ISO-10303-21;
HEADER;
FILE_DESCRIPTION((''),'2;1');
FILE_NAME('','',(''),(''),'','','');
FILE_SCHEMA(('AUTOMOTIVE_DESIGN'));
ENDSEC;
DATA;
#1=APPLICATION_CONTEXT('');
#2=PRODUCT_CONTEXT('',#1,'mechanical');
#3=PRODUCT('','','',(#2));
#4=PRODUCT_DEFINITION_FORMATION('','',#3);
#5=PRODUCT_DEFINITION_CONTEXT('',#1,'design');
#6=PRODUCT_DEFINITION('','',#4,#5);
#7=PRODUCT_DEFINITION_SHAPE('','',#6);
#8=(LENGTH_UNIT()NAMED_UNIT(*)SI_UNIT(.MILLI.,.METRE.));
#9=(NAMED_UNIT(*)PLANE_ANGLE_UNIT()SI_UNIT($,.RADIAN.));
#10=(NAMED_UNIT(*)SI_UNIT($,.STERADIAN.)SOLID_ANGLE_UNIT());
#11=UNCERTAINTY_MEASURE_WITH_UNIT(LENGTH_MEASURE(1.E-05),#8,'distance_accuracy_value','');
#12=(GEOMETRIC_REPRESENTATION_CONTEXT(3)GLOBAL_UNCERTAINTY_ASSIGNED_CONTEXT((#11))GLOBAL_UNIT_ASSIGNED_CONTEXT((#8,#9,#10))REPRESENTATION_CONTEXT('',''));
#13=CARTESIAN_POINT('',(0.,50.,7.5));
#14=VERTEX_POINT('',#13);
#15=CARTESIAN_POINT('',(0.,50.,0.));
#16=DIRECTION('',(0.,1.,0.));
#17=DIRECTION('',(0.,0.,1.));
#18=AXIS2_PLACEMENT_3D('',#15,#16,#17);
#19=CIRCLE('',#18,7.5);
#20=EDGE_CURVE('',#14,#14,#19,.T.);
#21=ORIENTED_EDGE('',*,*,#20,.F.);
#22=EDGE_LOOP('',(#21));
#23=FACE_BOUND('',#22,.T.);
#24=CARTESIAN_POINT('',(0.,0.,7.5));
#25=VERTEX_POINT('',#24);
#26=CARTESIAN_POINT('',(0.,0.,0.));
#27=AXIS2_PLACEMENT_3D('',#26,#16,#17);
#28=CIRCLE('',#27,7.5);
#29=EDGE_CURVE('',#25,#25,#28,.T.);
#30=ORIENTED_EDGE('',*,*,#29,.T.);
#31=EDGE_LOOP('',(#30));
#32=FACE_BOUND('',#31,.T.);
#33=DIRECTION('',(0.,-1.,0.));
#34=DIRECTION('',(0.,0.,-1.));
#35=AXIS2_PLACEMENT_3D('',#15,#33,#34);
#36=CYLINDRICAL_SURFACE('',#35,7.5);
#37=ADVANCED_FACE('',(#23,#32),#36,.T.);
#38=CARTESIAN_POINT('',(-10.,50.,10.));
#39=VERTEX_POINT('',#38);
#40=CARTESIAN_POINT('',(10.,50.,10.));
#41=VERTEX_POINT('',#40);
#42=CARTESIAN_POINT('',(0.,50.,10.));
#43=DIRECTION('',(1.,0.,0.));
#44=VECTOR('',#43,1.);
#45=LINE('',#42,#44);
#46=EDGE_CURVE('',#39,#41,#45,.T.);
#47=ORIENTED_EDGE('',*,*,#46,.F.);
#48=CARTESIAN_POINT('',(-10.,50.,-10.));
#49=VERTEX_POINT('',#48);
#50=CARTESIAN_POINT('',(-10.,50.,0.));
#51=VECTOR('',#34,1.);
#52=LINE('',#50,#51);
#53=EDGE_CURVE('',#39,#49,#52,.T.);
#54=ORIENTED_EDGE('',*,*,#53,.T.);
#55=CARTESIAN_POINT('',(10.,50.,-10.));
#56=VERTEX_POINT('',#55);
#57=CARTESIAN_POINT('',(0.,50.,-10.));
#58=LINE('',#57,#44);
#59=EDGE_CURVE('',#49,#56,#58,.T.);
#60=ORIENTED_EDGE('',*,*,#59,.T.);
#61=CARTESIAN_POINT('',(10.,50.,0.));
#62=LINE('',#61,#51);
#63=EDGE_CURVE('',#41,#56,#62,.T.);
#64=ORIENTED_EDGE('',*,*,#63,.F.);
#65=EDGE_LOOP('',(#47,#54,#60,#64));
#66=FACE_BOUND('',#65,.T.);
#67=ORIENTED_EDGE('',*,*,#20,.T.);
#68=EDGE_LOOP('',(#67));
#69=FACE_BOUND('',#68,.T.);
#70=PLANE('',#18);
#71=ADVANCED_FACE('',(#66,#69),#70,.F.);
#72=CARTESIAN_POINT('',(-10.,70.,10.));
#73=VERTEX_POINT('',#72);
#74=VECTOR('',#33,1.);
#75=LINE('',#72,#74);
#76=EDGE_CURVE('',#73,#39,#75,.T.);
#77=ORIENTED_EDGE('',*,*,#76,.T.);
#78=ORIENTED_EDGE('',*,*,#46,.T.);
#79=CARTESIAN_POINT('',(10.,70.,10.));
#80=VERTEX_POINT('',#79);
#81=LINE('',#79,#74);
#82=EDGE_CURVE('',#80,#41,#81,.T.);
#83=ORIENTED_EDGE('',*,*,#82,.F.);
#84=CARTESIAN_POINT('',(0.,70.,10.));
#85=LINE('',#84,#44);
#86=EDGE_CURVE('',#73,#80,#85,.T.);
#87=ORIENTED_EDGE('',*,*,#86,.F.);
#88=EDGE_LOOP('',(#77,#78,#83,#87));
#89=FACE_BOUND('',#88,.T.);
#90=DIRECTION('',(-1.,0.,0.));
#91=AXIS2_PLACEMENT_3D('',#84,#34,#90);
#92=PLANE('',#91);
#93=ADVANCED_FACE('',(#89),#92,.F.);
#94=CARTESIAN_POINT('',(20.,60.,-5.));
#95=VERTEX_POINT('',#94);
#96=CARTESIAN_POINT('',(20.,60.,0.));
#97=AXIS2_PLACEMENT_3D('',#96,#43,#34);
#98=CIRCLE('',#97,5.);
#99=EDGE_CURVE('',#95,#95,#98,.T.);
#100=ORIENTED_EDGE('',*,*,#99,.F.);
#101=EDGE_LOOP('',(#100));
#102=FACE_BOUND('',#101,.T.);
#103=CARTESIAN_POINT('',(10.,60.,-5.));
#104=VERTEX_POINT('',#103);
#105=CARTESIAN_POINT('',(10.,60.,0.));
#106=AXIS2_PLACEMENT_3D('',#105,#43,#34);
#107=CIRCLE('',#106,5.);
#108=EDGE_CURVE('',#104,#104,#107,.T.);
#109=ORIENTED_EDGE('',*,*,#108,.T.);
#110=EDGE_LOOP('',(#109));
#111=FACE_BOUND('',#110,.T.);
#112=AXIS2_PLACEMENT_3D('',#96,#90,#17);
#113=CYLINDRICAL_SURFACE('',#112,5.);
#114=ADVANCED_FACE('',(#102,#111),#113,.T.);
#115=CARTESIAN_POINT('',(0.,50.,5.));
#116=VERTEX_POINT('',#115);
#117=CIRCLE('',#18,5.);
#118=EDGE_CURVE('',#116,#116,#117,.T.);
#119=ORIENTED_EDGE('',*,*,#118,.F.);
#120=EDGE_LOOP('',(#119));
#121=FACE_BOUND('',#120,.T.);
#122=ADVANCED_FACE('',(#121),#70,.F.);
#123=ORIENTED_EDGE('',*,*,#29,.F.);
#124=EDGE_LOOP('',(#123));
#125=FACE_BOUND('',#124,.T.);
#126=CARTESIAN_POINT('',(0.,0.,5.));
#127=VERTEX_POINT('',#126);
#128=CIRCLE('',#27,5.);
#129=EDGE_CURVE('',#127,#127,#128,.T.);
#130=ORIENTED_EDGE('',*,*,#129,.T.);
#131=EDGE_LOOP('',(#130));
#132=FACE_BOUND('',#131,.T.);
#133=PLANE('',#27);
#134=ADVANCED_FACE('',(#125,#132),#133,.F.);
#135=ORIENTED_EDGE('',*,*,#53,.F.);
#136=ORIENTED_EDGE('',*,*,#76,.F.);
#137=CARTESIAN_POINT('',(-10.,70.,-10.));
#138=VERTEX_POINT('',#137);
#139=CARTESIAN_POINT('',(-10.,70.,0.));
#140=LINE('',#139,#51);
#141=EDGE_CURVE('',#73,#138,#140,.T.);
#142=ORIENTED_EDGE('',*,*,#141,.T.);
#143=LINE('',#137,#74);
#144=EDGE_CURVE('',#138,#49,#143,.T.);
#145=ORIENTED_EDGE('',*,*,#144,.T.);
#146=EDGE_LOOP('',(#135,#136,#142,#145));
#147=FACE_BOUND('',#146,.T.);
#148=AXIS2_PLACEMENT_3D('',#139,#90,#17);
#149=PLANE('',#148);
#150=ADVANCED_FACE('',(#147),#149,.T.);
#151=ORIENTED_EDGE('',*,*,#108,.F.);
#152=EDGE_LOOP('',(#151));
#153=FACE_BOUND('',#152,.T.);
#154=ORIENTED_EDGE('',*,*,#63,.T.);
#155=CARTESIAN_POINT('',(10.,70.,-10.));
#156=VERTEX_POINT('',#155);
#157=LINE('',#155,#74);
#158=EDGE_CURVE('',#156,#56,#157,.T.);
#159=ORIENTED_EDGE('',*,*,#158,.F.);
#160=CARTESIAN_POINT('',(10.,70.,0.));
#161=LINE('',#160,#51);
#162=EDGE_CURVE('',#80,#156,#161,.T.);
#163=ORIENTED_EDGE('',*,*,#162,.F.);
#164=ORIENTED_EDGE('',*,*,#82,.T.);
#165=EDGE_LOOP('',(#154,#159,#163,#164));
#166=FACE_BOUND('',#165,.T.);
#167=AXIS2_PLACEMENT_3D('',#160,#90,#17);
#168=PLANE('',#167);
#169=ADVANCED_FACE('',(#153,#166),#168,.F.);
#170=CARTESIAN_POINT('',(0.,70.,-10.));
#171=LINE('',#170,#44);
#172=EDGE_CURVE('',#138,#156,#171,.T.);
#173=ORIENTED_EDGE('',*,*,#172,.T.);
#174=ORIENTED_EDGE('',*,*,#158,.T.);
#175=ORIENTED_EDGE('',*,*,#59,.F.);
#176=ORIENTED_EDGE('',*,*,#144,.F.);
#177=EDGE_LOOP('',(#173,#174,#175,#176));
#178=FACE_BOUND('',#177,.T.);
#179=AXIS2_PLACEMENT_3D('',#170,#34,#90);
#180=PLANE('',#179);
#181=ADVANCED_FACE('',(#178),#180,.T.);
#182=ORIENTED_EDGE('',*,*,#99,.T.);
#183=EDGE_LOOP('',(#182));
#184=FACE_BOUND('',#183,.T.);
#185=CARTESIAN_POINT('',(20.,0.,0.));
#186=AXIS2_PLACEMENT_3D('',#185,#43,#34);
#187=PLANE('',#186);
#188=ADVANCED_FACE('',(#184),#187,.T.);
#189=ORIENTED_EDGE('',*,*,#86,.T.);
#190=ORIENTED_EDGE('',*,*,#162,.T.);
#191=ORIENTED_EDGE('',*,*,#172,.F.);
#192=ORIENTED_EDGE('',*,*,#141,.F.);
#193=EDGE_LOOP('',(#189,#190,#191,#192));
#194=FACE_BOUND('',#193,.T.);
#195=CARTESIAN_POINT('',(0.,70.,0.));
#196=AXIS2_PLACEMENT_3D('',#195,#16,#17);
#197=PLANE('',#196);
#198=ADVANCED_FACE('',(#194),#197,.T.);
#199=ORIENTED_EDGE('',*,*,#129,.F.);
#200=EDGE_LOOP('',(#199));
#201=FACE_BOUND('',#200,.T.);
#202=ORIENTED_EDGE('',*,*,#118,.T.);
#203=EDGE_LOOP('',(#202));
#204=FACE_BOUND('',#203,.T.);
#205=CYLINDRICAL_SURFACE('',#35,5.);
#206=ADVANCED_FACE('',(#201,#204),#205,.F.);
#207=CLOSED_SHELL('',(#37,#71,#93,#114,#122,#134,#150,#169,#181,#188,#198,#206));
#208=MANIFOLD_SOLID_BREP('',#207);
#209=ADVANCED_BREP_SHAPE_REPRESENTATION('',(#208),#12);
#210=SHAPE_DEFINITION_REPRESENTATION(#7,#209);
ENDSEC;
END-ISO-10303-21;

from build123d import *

# Parameters (mm, degrees)
SKETCH1_R           = 7.5
SKETCH1_R_2         = 5
BOSS_EXTRUDE1_DEPTH = 50
SKETCH3_W           = 20
SKETCH3_H           = 20
SKETCH3_R           = 7.5
SKETCH3_R_2         = 5
BOSS_EXTRUDE2_DEPTH = 20
SKETCH4_R           = 5
BOSS_EXTRUDE3_DEPTH = 10


with BuildPart() as part:
    # Sketch1 → Boss-Extrude1 (new body)
    with BuildSketch(Plane(origin=(0, 0, 0), x_dir=(1, 0, 0), z_dir=(0, 1, 0))):
        with Locations(Location((0, 0, 0), (0, 0, 270))):
            Circle(SKETCH1_R)
        with Locations(Location((0, 0, 0), (0, 0, 270))):
            Circle(SKETCH1_R_2, mode=Mode.SUBTRACT)
    extrude(amount=BOSS_EXTRUDE1_DEPTH)

    # Sketch3 → Boss-Extrude2 (add)
    # profile 1 of 3: a face of its own
    with BuildSketch(Plane(origin=(0, 50, 0), x_dir=(1, 0, 0), z_dir=(0, 1, 0))):
        Rectangle(SKETCH3_W, SKETCH3_H)
        with Locations(Location((0, 0, 0), (0, 0, 270))):
            Circle(SKETCH3_R, mode=Mode.SUBTRACT)
    # profile 2 of 3: a face of its own
    with BuildSketch(Plane(origin=(0, 50, 0), x_dir=(1, 0, 0), z_dir=(0, 1, 0))):
        with Locations(Location((0, 0, 0), (0, 0, 270))):
            Circle(SKETCH3_R)
        with Locations(Location((0, 0, 0), (0, 0, 270))):
            Circle(SKETCH3_R_2, mode=Mode.SUBTRACT)
    # profile 3 of 3: a face of its own
    with BuildSketch(Plane(origin=(0, 50, 0), x_dir=(1, 0, 0), z_dir=(0, 1, 0))):
        with Locations(Location((0, 0, 0), (0, 0, 270))):
            Circle(SKETCH3_R_2)
    extrude(amount=BOSS_EXTRUDE2_DEPTH)

    # Sketch4 → Boss-Extrude3 (add)
    with BuildSketch(Plane(origin=(10, 0, 0), x_dir=(0, 0, -1), z_dir=(1, 0, 0))):
        with Locations((0, 60)):
            Circle(SKETCH4_R)
    extrude(amount=BOSS_EXTRUDE3_DEPTH)


solid = part.part
